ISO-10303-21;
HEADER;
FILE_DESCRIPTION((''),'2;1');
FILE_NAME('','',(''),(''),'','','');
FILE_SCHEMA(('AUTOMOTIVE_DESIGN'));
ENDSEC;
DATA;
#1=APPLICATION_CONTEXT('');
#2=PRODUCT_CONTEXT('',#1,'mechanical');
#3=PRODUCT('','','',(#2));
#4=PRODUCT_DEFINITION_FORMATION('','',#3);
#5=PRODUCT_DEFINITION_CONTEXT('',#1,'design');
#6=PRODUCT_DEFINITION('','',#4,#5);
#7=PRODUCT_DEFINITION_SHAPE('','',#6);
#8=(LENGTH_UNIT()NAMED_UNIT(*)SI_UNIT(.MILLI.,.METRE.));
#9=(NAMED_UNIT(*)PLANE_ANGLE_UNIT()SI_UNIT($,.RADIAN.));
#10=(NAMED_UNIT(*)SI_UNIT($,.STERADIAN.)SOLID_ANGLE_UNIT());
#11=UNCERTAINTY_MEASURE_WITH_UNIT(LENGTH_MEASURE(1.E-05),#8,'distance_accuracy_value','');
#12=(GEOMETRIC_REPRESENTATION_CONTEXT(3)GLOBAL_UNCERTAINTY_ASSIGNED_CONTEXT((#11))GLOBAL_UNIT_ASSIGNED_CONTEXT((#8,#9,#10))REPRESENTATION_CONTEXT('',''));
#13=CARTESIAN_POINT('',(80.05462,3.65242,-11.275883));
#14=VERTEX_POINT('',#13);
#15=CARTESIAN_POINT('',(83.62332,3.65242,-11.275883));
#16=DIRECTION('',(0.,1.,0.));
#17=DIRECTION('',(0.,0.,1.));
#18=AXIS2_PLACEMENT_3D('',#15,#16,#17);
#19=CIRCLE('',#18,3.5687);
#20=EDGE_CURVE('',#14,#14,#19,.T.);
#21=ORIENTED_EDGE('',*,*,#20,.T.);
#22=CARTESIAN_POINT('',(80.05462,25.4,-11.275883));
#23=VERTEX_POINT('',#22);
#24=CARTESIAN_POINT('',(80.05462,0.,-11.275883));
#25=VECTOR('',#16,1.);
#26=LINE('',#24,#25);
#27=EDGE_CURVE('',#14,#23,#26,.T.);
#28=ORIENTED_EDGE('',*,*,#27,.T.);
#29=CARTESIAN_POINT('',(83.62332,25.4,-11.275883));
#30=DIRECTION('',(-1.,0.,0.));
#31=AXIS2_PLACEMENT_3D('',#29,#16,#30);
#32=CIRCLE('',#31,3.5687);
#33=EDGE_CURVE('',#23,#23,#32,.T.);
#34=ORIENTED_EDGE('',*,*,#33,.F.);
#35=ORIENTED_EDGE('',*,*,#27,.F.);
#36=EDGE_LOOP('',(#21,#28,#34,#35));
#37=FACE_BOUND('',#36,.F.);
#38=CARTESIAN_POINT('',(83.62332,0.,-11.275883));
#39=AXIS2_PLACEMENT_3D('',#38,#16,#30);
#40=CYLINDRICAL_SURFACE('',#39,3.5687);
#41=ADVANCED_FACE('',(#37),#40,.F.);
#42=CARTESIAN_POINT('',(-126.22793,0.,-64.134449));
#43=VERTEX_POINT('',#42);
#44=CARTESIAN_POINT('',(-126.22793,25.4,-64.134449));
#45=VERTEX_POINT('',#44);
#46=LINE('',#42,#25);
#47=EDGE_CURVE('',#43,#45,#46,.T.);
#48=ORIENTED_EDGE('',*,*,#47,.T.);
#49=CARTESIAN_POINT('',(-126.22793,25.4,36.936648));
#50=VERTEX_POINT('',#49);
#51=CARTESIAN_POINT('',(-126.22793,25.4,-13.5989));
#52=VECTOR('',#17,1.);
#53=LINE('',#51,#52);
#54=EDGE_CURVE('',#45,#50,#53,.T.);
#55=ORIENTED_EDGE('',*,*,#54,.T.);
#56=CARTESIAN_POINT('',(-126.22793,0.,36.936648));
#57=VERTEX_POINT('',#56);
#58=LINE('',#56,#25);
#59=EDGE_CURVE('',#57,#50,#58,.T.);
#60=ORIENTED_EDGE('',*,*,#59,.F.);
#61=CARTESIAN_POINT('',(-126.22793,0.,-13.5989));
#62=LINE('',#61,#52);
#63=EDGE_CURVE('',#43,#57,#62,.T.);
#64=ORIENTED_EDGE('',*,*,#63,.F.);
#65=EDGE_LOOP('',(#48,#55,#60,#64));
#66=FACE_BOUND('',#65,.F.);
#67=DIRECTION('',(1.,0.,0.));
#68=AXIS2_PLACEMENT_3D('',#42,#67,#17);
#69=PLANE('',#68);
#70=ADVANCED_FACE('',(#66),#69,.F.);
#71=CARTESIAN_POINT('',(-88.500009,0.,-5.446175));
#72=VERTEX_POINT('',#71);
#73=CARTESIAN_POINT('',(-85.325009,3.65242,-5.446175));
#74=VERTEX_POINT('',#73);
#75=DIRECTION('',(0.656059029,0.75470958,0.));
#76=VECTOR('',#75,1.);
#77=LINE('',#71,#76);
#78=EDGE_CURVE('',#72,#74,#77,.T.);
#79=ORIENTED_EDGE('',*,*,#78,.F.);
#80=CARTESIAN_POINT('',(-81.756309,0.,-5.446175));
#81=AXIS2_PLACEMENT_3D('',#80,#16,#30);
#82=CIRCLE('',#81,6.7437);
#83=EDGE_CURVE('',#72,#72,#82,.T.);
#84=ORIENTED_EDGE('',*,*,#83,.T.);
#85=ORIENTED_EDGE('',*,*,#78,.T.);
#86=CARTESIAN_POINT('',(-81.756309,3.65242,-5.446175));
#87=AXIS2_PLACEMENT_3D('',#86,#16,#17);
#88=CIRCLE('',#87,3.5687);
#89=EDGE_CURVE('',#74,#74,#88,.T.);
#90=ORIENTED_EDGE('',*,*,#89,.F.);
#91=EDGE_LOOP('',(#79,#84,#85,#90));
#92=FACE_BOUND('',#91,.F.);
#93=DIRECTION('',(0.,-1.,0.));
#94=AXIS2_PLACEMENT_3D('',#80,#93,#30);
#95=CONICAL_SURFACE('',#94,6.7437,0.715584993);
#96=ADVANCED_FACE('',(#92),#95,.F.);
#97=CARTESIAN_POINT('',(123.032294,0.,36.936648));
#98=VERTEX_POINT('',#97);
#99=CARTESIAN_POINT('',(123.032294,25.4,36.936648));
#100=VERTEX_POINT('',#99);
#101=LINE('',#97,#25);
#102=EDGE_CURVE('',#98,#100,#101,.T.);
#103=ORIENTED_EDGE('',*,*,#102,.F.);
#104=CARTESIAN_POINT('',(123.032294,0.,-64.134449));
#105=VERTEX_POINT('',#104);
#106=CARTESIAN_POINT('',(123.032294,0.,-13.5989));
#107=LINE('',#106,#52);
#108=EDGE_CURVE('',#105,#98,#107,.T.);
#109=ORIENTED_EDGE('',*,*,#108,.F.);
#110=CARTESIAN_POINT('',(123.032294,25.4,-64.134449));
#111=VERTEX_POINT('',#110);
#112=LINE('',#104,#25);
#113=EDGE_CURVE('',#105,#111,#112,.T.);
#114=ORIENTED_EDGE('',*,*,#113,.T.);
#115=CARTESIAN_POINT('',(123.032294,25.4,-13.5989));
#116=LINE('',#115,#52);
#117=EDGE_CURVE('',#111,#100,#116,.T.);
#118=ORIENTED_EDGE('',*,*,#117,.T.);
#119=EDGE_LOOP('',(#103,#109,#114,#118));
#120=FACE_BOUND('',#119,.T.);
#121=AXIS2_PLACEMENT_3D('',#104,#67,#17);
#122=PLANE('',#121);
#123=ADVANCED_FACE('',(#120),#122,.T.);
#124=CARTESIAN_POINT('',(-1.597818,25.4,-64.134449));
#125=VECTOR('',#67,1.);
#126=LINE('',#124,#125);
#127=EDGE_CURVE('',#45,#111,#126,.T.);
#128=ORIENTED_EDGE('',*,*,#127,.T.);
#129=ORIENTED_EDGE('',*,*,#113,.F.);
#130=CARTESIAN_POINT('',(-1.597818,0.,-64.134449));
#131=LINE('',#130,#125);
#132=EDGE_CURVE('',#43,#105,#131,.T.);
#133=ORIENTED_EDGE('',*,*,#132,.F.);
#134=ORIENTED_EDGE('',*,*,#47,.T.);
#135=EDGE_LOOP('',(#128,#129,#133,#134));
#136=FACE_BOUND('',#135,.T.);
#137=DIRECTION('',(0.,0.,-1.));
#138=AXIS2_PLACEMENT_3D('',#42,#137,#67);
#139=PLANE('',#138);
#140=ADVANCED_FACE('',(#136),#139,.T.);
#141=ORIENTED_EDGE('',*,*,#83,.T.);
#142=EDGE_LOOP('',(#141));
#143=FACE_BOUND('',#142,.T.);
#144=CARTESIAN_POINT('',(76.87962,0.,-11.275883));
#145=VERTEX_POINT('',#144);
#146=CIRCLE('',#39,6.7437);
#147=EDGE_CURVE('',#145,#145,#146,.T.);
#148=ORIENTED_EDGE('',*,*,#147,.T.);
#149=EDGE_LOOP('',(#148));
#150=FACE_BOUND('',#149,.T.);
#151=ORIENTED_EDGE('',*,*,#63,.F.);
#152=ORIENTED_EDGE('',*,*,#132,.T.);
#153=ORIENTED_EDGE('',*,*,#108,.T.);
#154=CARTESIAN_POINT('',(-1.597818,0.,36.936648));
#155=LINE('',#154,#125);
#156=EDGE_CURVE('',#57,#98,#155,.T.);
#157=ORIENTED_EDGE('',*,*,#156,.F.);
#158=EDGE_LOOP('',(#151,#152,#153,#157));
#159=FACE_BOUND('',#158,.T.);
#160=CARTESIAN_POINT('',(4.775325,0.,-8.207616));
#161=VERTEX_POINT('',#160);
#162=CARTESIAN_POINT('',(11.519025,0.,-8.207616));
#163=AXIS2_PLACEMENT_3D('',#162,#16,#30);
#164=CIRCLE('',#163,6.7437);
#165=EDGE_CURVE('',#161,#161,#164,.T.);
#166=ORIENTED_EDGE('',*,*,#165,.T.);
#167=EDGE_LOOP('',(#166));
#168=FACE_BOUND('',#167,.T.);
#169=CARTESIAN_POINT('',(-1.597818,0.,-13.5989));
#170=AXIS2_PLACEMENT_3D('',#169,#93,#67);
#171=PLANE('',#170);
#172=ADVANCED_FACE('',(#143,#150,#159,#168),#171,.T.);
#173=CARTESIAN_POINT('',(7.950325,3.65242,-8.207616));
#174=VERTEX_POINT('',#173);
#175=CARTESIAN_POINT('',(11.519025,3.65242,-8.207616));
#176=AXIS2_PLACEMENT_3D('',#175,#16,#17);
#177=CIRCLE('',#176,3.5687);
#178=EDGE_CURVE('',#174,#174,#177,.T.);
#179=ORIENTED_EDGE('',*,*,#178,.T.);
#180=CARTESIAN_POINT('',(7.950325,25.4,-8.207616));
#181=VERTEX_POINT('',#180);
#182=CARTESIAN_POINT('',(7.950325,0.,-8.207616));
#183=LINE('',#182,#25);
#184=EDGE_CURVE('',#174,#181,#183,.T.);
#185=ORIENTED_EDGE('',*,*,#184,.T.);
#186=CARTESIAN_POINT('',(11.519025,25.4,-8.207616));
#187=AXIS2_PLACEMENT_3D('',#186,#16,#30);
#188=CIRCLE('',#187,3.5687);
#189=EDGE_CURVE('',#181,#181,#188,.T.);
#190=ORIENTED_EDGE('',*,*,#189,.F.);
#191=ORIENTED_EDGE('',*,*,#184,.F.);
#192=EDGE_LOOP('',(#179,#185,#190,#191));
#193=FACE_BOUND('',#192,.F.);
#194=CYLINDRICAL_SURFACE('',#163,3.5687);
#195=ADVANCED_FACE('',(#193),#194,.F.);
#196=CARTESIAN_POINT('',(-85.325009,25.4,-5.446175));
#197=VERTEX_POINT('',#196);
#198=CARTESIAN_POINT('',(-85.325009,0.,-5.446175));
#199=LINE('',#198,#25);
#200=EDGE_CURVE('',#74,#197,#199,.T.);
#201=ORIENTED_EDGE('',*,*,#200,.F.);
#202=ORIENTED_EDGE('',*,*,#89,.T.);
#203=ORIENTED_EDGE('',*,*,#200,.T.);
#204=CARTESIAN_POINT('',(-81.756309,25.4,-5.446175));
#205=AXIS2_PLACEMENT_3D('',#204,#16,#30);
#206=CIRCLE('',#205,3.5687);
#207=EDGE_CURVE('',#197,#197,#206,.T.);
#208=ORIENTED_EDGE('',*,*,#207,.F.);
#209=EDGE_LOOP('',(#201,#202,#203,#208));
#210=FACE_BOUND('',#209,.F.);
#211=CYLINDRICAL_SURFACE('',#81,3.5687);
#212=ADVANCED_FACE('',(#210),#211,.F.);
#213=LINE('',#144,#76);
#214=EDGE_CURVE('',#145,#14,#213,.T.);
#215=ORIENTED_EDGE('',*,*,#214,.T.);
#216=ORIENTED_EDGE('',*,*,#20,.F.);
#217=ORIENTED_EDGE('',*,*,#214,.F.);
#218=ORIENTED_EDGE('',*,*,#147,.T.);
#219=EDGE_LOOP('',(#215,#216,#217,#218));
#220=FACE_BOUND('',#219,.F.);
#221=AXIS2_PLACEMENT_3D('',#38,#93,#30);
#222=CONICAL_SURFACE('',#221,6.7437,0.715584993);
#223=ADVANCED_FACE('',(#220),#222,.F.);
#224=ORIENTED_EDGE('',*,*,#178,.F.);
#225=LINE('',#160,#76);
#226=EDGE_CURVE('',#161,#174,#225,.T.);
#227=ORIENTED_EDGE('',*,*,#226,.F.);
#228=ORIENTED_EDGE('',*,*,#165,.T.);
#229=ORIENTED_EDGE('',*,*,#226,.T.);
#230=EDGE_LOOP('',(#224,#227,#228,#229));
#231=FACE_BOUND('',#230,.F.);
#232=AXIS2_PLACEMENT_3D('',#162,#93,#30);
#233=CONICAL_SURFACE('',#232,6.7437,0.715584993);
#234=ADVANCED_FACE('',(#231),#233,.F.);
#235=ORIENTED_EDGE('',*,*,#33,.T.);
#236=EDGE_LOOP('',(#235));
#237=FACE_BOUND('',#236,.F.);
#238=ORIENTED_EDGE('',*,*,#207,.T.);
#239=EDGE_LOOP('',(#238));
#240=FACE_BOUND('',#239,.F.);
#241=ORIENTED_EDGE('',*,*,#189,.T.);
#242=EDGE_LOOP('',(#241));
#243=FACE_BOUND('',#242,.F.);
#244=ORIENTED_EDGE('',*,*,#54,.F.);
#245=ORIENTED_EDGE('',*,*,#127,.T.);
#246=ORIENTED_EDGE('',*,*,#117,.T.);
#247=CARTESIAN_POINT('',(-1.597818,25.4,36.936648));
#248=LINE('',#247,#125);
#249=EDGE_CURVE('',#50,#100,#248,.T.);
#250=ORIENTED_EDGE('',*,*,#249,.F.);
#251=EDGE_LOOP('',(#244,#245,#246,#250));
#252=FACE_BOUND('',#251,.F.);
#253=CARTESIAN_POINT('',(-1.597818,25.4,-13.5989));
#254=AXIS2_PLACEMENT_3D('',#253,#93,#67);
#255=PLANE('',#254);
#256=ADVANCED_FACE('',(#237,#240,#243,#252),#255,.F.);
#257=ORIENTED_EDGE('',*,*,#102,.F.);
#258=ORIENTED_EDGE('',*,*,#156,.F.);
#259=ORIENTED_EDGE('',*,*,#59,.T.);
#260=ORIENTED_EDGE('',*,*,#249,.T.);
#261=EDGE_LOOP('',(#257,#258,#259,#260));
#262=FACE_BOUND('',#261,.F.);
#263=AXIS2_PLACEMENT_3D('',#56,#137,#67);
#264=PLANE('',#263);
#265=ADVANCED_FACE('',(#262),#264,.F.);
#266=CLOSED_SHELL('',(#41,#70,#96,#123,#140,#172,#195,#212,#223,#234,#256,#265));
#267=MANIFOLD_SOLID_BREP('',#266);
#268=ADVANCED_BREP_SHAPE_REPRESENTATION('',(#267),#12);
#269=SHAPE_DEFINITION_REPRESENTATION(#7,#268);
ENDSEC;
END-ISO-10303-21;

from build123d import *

# Parameters (mm, degrees)
F0_W           = 249.260224402
F0_H           = 101.0710969567
F1_DEPTH       = 25.4
F3_D           = 7.1374
F3_CSINK_D     = 13.4874
F3_CSINK_ANGLE = 82
F4_D           = 7.1374
F4_CSINK_D     = 13.4874
F4_CSINK_ANGLE = 82


with BuildPart() as f1:
    # F0 (on Front) → F1 (new body)
    with BuildSketch(Plane.XZ):
        with Locations((-1.5978179872, -13.5989002883)):
            Rectangle(F0_W, F0_H)
    extrude(amount=-F1_DEPTH)

    # F3 (through all)
    with Locations(Plane.XZ):
        with Locations((-81.7563086748, -5.4461751133)):
            CounterSinkHole(F3_D / 2, F3_CSINK_D / 2, counter_sink_angle=F3_CSINK_ANGLE)

    # F4 (through all)
    with Locations(Plane.XZ):
        with Locations((11.5190250799, -8.2076163962), (83.6233198643, -11.2758828327)):
            CounterSinkHole(F4_D / 2, F4_CSINK_D / 2, counter_sink_angle=F4_CSINK_ANGLE)


solid = f1.part
